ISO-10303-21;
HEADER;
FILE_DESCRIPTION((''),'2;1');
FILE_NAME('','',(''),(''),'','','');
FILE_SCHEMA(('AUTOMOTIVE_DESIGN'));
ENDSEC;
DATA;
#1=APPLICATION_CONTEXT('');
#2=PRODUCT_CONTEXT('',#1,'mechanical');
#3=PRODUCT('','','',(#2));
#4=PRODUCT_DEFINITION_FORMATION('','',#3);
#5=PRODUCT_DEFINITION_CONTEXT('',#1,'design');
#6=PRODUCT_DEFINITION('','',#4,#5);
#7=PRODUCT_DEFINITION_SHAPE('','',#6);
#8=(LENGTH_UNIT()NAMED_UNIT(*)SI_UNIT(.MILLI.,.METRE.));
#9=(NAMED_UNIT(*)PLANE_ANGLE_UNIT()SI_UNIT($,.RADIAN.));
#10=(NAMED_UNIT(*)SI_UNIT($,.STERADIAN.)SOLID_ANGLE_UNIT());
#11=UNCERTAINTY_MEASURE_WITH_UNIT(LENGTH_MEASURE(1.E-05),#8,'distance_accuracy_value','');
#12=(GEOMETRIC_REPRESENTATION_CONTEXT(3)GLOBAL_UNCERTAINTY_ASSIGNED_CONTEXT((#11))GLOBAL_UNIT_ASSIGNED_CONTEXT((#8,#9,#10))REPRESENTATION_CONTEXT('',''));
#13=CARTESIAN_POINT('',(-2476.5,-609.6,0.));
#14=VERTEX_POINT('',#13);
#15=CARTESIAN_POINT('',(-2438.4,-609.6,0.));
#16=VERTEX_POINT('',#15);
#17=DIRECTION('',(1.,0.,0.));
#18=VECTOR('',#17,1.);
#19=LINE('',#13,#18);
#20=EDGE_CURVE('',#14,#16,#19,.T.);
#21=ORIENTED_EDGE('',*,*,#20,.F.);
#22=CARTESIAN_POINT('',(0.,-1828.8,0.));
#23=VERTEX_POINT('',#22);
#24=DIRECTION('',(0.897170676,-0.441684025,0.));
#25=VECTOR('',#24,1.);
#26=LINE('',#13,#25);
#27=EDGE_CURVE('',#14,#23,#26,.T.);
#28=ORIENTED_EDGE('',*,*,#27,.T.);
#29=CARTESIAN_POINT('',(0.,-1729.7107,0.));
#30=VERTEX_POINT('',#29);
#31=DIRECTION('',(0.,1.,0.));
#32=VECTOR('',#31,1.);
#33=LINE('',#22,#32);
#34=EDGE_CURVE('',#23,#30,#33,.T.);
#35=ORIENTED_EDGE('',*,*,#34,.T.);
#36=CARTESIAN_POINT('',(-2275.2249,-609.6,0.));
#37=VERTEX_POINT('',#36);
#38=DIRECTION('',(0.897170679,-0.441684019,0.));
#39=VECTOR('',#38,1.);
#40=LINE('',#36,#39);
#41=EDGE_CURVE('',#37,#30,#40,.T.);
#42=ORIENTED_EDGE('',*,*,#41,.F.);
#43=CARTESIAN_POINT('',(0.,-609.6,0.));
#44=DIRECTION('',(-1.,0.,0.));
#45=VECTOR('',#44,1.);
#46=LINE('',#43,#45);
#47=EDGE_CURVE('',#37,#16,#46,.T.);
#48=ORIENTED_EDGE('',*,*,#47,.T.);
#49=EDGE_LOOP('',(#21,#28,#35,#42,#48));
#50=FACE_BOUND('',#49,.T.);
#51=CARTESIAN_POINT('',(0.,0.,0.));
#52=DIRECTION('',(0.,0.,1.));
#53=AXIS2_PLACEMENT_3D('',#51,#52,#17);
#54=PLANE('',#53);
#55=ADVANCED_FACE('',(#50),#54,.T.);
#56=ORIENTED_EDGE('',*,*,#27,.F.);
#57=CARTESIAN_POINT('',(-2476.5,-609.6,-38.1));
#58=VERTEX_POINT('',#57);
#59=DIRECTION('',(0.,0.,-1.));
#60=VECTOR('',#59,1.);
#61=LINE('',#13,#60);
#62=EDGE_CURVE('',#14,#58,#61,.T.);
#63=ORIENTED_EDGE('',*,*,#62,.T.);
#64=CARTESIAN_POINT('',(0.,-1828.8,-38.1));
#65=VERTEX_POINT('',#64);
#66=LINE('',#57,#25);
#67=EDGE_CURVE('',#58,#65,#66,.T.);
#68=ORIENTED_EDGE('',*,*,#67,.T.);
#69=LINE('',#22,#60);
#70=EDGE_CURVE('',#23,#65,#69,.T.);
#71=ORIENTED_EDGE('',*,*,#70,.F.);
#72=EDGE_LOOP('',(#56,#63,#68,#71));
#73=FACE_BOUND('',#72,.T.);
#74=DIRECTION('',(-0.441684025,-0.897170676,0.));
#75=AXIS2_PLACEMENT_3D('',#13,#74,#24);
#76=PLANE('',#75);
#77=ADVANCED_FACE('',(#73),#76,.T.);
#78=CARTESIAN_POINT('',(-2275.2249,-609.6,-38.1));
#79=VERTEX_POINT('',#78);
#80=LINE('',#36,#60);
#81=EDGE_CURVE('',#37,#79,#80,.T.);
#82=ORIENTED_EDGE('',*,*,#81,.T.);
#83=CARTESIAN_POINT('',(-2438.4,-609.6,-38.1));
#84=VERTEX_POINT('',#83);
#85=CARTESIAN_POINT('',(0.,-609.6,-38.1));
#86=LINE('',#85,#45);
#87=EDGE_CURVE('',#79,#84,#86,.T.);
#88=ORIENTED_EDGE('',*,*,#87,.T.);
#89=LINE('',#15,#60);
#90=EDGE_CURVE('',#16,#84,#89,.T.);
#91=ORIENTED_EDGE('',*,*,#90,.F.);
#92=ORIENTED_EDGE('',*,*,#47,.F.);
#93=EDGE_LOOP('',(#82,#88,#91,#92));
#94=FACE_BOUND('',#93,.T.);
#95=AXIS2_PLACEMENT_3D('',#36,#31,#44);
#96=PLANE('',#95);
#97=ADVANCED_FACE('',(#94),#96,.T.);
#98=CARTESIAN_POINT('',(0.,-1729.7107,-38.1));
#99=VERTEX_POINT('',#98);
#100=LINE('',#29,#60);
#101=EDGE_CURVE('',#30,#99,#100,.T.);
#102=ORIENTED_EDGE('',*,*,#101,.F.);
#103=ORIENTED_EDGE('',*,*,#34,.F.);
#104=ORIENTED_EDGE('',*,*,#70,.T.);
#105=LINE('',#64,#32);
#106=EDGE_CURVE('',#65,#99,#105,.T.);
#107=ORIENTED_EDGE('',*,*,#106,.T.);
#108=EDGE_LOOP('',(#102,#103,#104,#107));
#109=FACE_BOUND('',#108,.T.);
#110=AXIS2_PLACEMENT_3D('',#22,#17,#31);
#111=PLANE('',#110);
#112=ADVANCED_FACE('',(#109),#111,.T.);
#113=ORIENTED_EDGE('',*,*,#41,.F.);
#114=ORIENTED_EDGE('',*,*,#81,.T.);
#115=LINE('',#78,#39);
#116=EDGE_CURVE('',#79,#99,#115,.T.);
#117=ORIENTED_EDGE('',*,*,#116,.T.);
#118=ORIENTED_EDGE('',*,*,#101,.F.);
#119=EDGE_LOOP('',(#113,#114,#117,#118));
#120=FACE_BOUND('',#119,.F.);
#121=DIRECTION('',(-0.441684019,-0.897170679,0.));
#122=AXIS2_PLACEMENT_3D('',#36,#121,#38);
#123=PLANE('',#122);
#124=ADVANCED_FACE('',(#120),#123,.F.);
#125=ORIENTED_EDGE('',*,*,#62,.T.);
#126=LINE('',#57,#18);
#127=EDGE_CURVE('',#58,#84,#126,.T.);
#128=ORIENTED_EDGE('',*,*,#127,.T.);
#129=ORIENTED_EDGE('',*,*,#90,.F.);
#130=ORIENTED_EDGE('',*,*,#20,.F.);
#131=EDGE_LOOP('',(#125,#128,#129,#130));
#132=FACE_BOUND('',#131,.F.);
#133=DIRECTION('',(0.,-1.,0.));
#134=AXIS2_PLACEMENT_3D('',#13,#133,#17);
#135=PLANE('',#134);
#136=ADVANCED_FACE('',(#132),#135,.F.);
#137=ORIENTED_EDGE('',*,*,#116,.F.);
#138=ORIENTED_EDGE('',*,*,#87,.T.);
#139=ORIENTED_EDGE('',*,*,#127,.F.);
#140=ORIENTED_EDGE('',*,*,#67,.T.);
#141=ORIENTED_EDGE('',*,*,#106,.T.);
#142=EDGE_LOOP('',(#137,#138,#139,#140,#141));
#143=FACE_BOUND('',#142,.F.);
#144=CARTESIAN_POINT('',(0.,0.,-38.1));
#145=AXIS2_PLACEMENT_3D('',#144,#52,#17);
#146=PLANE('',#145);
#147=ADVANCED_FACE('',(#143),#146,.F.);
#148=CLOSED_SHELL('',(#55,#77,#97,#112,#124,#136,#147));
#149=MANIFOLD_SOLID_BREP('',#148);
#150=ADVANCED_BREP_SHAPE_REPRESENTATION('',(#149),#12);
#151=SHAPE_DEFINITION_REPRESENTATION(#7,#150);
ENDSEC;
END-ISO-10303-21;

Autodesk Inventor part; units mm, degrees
ref_plane "YZ Plane" through (0, 0, 0) normal (1, 0, 0) x (0, 1, 0)
ref_plane "XZ Plane" through (0, 0, 0) normal (0, 1, 0) x (-1, 0, 0)
ref_plane "XY Plane" through (0, 0, 0) normal (0, 0, 1) x (1, 0, 0)
sketch "Sketch1" plane through (0, 0, 0) normal (0, 0, 1) x (1, 0, 0)
  line L0 (0, -609.6) -> (-2438.4, -609.6) projected
  line L1 (0, -1828.8) -> (0, 1828.8) projected
  line L2 (-2476.5, -609.6) -> (-2438.4, -609.6) projected
  line L3 (-2476.5, -609.6) -> (0, -1828.8)
  line L4 (-2476.5, -609.6) -> (-2275.2249, -609.6)
  line L5 (-2275.2249, -609.6) -> (0, -1729.7107)
  line L6 (0, -1729.7107) -> (0, -1828.8)
  point P0 (0, 0)
  dimension "d0" = 88.9
extrude "Extrusion1" add sketch "Sketch1" against normal blind 38.1 contours L5 L1 L3 L2 L0
properties part number "S_2x4x108.675"
